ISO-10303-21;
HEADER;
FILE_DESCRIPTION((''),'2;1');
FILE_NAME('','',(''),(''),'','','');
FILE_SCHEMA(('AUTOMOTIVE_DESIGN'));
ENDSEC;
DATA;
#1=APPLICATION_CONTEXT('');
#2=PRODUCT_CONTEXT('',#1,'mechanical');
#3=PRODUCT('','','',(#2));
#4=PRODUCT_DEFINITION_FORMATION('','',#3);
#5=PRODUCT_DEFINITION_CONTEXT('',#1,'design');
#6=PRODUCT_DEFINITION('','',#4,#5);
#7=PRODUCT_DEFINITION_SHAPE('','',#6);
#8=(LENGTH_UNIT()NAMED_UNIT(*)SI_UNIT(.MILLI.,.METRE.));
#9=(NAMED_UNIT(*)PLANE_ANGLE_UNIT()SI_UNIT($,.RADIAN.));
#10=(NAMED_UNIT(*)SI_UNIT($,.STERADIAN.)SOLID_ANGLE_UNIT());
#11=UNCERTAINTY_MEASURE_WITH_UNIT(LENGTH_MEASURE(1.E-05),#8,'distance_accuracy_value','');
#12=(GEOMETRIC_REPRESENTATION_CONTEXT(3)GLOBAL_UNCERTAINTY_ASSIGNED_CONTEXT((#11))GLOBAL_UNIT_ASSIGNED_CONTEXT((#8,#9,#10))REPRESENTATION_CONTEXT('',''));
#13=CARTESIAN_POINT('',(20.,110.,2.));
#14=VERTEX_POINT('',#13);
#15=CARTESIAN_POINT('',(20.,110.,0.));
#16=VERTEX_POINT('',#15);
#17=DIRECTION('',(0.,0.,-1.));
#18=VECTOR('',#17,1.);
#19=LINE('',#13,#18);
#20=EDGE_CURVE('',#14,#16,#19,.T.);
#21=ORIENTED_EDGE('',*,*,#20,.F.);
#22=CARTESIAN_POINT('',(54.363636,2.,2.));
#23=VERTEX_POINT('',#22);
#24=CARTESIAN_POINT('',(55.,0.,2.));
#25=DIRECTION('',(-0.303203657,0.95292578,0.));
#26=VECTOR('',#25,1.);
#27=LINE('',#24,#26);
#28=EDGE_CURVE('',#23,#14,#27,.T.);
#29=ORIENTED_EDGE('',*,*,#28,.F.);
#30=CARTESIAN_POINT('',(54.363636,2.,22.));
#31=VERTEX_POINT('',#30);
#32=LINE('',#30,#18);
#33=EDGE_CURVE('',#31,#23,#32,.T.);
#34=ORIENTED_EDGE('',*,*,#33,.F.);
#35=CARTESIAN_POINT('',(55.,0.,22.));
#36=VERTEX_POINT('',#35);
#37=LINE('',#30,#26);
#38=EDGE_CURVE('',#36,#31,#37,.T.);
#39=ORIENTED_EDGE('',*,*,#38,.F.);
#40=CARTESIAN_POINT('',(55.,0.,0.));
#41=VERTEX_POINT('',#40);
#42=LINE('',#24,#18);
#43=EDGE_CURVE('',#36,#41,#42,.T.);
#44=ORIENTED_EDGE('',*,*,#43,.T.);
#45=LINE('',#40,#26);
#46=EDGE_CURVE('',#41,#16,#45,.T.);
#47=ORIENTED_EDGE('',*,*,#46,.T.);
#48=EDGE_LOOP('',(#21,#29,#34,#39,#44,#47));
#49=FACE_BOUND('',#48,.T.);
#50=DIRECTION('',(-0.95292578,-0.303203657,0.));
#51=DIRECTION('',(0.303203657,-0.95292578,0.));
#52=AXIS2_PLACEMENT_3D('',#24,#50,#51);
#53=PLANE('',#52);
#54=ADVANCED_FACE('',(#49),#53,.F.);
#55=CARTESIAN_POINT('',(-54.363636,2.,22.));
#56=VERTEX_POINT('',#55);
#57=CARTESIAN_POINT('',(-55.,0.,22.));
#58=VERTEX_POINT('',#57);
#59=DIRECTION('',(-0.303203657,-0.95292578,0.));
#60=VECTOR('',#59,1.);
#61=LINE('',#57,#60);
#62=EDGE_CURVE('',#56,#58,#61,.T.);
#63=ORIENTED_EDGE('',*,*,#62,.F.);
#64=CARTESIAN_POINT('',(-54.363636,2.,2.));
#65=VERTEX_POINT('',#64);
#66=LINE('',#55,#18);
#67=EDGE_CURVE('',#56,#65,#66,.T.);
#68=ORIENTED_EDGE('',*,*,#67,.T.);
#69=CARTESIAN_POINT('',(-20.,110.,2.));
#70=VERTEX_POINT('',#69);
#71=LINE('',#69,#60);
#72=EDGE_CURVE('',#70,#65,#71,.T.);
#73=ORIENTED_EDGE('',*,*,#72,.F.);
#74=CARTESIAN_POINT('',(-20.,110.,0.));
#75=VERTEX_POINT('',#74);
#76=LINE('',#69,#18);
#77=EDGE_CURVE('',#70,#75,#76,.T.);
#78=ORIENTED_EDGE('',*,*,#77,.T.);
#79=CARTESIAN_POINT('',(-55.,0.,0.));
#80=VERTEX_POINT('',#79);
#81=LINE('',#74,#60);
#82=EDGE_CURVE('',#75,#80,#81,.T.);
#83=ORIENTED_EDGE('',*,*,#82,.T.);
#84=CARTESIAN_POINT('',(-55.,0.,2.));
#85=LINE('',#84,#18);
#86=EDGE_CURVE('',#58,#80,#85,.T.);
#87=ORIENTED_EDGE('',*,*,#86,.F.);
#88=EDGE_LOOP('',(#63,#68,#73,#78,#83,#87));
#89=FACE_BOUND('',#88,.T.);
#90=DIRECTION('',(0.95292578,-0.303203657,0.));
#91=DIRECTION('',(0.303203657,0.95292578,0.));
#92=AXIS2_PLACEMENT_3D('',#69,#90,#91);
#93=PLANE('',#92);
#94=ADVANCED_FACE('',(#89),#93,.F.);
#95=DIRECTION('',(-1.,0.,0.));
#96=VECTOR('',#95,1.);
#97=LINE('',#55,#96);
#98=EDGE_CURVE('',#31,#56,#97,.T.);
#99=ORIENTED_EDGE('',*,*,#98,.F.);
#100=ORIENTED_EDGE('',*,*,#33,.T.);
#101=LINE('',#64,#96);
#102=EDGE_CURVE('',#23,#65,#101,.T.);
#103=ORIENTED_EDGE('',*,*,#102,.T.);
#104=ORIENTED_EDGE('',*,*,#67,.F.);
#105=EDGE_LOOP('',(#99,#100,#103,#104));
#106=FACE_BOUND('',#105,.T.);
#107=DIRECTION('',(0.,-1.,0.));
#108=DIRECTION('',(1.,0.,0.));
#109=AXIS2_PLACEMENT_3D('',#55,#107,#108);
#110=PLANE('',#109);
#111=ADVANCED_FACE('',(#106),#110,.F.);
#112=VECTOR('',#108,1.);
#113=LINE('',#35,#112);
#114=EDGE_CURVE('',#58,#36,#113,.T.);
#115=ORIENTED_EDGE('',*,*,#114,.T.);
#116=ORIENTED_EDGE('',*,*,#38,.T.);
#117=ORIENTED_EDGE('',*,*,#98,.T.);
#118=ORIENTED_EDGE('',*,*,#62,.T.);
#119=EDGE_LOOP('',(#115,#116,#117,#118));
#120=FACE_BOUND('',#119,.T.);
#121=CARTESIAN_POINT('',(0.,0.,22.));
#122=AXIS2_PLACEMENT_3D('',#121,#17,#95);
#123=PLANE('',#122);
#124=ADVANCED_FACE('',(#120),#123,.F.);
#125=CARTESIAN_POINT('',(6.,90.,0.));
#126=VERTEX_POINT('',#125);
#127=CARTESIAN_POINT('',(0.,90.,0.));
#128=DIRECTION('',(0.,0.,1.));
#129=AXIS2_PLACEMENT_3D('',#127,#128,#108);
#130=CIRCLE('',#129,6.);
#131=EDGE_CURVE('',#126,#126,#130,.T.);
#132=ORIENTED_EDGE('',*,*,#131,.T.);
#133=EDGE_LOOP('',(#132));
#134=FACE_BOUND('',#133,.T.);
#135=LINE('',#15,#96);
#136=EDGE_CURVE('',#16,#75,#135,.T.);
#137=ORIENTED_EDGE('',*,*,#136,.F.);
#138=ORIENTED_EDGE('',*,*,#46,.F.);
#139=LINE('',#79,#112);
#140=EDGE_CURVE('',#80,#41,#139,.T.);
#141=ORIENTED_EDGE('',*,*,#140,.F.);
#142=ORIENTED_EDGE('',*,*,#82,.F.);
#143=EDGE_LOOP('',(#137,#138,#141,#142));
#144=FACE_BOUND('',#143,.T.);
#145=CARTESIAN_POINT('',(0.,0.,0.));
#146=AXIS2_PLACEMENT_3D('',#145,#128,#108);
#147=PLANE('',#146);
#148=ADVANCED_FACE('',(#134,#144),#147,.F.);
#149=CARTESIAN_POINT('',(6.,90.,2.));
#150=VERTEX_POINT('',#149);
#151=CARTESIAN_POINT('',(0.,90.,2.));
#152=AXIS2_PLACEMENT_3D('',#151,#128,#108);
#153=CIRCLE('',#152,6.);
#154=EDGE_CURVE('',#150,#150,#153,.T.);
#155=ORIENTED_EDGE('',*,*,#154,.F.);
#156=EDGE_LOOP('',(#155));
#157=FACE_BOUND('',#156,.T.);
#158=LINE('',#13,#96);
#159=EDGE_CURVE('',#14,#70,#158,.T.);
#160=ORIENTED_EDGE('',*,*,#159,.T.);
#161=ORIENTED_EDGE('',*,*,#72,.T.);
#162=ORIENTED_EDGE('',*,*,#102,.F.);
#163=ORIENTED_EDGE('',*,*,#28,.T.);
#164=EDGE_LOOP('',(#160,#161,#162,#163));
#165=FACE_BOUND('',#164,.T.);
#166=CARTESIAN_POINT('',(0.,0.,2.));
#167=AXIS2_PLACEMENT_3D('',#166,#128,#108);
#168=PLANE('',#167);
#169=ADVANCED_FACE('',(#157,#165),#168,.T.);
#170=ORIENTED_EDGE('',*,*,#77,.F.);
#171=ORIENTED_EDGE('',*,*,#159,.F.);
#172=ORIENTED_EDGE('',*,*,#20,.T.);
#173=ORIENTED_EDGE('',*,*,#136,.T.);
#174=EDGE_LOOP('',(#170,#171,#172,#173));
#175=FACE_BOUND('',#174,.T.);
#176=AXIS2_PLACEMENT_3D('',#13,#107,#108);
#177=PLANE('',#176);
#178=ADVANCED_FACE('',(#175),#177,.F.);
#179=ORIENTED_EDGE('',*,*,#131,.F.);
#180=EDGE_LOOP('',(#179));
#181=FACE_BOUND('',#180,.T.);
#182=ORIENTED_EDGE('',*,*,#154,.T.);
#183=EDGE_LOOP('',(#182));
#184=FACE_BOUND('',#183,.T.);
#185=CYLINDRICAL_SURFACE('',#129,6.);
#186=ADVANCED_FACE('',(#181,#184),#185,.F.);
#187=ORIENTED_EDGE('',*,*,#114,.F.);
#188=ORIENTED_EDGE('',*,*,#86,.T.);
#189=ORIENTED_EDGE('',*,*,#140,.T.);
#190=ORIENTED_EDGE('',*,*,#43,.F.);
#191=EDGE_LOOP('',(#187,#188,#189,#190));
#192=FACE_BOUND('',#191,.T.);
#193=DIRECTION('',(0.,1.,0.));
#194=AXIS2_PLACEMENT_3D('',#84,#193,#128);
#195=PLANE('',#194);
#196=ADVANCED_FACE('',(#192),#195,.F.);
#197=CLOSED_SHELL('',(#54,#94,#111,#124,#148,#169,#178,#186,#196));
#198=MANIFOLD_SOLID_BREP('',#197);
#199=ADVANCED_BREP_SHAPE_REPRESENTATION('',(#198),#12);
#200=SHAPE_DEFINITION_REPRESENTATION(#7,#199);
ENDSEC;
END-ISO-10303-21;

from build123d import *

# Parameters (mm, degrees)
BOSS_EXTRUDE1_DEPTH = 2
SKETCH2_R           = 6
CUT_EXTRUDE1_DEPTH  = 124
BOSS_EXTRUDE2_DEPTH = 20


with BuildPart() as part:
    # Sketch1 → Boss-Extrude1 (new body)
    with BuildSketch(Plane.XY):
        Polygon((-55, 0), (55, 0), (20, 110), (-20, 110), align=None)
    extrude(amount=BOSS_EXTRUDE1_DEPTH)

    # Sketch2 → Cut-Extrude1 (cut, through all)
    with BuildSketch(Plane.XY.offset(2)):
        with Locations((0, 90)):
            Circle(SKETCH2_R)
    extrude(amount=-CUT_EXTRUDE1_DEPTH, mode=Mode.SUBTRACT)

    # Sketch4 → Boss-Extrude2 (add)
    with BuildSketch(Plane.XY.offset(2)):
        Polygon((-55, 0), (-54.363636364, 2), (54.363636364, 2), (55, 0), align=None)
    extrude(amount=BOSS_EXTRUDE2_DEPTH)


solid = part.part
